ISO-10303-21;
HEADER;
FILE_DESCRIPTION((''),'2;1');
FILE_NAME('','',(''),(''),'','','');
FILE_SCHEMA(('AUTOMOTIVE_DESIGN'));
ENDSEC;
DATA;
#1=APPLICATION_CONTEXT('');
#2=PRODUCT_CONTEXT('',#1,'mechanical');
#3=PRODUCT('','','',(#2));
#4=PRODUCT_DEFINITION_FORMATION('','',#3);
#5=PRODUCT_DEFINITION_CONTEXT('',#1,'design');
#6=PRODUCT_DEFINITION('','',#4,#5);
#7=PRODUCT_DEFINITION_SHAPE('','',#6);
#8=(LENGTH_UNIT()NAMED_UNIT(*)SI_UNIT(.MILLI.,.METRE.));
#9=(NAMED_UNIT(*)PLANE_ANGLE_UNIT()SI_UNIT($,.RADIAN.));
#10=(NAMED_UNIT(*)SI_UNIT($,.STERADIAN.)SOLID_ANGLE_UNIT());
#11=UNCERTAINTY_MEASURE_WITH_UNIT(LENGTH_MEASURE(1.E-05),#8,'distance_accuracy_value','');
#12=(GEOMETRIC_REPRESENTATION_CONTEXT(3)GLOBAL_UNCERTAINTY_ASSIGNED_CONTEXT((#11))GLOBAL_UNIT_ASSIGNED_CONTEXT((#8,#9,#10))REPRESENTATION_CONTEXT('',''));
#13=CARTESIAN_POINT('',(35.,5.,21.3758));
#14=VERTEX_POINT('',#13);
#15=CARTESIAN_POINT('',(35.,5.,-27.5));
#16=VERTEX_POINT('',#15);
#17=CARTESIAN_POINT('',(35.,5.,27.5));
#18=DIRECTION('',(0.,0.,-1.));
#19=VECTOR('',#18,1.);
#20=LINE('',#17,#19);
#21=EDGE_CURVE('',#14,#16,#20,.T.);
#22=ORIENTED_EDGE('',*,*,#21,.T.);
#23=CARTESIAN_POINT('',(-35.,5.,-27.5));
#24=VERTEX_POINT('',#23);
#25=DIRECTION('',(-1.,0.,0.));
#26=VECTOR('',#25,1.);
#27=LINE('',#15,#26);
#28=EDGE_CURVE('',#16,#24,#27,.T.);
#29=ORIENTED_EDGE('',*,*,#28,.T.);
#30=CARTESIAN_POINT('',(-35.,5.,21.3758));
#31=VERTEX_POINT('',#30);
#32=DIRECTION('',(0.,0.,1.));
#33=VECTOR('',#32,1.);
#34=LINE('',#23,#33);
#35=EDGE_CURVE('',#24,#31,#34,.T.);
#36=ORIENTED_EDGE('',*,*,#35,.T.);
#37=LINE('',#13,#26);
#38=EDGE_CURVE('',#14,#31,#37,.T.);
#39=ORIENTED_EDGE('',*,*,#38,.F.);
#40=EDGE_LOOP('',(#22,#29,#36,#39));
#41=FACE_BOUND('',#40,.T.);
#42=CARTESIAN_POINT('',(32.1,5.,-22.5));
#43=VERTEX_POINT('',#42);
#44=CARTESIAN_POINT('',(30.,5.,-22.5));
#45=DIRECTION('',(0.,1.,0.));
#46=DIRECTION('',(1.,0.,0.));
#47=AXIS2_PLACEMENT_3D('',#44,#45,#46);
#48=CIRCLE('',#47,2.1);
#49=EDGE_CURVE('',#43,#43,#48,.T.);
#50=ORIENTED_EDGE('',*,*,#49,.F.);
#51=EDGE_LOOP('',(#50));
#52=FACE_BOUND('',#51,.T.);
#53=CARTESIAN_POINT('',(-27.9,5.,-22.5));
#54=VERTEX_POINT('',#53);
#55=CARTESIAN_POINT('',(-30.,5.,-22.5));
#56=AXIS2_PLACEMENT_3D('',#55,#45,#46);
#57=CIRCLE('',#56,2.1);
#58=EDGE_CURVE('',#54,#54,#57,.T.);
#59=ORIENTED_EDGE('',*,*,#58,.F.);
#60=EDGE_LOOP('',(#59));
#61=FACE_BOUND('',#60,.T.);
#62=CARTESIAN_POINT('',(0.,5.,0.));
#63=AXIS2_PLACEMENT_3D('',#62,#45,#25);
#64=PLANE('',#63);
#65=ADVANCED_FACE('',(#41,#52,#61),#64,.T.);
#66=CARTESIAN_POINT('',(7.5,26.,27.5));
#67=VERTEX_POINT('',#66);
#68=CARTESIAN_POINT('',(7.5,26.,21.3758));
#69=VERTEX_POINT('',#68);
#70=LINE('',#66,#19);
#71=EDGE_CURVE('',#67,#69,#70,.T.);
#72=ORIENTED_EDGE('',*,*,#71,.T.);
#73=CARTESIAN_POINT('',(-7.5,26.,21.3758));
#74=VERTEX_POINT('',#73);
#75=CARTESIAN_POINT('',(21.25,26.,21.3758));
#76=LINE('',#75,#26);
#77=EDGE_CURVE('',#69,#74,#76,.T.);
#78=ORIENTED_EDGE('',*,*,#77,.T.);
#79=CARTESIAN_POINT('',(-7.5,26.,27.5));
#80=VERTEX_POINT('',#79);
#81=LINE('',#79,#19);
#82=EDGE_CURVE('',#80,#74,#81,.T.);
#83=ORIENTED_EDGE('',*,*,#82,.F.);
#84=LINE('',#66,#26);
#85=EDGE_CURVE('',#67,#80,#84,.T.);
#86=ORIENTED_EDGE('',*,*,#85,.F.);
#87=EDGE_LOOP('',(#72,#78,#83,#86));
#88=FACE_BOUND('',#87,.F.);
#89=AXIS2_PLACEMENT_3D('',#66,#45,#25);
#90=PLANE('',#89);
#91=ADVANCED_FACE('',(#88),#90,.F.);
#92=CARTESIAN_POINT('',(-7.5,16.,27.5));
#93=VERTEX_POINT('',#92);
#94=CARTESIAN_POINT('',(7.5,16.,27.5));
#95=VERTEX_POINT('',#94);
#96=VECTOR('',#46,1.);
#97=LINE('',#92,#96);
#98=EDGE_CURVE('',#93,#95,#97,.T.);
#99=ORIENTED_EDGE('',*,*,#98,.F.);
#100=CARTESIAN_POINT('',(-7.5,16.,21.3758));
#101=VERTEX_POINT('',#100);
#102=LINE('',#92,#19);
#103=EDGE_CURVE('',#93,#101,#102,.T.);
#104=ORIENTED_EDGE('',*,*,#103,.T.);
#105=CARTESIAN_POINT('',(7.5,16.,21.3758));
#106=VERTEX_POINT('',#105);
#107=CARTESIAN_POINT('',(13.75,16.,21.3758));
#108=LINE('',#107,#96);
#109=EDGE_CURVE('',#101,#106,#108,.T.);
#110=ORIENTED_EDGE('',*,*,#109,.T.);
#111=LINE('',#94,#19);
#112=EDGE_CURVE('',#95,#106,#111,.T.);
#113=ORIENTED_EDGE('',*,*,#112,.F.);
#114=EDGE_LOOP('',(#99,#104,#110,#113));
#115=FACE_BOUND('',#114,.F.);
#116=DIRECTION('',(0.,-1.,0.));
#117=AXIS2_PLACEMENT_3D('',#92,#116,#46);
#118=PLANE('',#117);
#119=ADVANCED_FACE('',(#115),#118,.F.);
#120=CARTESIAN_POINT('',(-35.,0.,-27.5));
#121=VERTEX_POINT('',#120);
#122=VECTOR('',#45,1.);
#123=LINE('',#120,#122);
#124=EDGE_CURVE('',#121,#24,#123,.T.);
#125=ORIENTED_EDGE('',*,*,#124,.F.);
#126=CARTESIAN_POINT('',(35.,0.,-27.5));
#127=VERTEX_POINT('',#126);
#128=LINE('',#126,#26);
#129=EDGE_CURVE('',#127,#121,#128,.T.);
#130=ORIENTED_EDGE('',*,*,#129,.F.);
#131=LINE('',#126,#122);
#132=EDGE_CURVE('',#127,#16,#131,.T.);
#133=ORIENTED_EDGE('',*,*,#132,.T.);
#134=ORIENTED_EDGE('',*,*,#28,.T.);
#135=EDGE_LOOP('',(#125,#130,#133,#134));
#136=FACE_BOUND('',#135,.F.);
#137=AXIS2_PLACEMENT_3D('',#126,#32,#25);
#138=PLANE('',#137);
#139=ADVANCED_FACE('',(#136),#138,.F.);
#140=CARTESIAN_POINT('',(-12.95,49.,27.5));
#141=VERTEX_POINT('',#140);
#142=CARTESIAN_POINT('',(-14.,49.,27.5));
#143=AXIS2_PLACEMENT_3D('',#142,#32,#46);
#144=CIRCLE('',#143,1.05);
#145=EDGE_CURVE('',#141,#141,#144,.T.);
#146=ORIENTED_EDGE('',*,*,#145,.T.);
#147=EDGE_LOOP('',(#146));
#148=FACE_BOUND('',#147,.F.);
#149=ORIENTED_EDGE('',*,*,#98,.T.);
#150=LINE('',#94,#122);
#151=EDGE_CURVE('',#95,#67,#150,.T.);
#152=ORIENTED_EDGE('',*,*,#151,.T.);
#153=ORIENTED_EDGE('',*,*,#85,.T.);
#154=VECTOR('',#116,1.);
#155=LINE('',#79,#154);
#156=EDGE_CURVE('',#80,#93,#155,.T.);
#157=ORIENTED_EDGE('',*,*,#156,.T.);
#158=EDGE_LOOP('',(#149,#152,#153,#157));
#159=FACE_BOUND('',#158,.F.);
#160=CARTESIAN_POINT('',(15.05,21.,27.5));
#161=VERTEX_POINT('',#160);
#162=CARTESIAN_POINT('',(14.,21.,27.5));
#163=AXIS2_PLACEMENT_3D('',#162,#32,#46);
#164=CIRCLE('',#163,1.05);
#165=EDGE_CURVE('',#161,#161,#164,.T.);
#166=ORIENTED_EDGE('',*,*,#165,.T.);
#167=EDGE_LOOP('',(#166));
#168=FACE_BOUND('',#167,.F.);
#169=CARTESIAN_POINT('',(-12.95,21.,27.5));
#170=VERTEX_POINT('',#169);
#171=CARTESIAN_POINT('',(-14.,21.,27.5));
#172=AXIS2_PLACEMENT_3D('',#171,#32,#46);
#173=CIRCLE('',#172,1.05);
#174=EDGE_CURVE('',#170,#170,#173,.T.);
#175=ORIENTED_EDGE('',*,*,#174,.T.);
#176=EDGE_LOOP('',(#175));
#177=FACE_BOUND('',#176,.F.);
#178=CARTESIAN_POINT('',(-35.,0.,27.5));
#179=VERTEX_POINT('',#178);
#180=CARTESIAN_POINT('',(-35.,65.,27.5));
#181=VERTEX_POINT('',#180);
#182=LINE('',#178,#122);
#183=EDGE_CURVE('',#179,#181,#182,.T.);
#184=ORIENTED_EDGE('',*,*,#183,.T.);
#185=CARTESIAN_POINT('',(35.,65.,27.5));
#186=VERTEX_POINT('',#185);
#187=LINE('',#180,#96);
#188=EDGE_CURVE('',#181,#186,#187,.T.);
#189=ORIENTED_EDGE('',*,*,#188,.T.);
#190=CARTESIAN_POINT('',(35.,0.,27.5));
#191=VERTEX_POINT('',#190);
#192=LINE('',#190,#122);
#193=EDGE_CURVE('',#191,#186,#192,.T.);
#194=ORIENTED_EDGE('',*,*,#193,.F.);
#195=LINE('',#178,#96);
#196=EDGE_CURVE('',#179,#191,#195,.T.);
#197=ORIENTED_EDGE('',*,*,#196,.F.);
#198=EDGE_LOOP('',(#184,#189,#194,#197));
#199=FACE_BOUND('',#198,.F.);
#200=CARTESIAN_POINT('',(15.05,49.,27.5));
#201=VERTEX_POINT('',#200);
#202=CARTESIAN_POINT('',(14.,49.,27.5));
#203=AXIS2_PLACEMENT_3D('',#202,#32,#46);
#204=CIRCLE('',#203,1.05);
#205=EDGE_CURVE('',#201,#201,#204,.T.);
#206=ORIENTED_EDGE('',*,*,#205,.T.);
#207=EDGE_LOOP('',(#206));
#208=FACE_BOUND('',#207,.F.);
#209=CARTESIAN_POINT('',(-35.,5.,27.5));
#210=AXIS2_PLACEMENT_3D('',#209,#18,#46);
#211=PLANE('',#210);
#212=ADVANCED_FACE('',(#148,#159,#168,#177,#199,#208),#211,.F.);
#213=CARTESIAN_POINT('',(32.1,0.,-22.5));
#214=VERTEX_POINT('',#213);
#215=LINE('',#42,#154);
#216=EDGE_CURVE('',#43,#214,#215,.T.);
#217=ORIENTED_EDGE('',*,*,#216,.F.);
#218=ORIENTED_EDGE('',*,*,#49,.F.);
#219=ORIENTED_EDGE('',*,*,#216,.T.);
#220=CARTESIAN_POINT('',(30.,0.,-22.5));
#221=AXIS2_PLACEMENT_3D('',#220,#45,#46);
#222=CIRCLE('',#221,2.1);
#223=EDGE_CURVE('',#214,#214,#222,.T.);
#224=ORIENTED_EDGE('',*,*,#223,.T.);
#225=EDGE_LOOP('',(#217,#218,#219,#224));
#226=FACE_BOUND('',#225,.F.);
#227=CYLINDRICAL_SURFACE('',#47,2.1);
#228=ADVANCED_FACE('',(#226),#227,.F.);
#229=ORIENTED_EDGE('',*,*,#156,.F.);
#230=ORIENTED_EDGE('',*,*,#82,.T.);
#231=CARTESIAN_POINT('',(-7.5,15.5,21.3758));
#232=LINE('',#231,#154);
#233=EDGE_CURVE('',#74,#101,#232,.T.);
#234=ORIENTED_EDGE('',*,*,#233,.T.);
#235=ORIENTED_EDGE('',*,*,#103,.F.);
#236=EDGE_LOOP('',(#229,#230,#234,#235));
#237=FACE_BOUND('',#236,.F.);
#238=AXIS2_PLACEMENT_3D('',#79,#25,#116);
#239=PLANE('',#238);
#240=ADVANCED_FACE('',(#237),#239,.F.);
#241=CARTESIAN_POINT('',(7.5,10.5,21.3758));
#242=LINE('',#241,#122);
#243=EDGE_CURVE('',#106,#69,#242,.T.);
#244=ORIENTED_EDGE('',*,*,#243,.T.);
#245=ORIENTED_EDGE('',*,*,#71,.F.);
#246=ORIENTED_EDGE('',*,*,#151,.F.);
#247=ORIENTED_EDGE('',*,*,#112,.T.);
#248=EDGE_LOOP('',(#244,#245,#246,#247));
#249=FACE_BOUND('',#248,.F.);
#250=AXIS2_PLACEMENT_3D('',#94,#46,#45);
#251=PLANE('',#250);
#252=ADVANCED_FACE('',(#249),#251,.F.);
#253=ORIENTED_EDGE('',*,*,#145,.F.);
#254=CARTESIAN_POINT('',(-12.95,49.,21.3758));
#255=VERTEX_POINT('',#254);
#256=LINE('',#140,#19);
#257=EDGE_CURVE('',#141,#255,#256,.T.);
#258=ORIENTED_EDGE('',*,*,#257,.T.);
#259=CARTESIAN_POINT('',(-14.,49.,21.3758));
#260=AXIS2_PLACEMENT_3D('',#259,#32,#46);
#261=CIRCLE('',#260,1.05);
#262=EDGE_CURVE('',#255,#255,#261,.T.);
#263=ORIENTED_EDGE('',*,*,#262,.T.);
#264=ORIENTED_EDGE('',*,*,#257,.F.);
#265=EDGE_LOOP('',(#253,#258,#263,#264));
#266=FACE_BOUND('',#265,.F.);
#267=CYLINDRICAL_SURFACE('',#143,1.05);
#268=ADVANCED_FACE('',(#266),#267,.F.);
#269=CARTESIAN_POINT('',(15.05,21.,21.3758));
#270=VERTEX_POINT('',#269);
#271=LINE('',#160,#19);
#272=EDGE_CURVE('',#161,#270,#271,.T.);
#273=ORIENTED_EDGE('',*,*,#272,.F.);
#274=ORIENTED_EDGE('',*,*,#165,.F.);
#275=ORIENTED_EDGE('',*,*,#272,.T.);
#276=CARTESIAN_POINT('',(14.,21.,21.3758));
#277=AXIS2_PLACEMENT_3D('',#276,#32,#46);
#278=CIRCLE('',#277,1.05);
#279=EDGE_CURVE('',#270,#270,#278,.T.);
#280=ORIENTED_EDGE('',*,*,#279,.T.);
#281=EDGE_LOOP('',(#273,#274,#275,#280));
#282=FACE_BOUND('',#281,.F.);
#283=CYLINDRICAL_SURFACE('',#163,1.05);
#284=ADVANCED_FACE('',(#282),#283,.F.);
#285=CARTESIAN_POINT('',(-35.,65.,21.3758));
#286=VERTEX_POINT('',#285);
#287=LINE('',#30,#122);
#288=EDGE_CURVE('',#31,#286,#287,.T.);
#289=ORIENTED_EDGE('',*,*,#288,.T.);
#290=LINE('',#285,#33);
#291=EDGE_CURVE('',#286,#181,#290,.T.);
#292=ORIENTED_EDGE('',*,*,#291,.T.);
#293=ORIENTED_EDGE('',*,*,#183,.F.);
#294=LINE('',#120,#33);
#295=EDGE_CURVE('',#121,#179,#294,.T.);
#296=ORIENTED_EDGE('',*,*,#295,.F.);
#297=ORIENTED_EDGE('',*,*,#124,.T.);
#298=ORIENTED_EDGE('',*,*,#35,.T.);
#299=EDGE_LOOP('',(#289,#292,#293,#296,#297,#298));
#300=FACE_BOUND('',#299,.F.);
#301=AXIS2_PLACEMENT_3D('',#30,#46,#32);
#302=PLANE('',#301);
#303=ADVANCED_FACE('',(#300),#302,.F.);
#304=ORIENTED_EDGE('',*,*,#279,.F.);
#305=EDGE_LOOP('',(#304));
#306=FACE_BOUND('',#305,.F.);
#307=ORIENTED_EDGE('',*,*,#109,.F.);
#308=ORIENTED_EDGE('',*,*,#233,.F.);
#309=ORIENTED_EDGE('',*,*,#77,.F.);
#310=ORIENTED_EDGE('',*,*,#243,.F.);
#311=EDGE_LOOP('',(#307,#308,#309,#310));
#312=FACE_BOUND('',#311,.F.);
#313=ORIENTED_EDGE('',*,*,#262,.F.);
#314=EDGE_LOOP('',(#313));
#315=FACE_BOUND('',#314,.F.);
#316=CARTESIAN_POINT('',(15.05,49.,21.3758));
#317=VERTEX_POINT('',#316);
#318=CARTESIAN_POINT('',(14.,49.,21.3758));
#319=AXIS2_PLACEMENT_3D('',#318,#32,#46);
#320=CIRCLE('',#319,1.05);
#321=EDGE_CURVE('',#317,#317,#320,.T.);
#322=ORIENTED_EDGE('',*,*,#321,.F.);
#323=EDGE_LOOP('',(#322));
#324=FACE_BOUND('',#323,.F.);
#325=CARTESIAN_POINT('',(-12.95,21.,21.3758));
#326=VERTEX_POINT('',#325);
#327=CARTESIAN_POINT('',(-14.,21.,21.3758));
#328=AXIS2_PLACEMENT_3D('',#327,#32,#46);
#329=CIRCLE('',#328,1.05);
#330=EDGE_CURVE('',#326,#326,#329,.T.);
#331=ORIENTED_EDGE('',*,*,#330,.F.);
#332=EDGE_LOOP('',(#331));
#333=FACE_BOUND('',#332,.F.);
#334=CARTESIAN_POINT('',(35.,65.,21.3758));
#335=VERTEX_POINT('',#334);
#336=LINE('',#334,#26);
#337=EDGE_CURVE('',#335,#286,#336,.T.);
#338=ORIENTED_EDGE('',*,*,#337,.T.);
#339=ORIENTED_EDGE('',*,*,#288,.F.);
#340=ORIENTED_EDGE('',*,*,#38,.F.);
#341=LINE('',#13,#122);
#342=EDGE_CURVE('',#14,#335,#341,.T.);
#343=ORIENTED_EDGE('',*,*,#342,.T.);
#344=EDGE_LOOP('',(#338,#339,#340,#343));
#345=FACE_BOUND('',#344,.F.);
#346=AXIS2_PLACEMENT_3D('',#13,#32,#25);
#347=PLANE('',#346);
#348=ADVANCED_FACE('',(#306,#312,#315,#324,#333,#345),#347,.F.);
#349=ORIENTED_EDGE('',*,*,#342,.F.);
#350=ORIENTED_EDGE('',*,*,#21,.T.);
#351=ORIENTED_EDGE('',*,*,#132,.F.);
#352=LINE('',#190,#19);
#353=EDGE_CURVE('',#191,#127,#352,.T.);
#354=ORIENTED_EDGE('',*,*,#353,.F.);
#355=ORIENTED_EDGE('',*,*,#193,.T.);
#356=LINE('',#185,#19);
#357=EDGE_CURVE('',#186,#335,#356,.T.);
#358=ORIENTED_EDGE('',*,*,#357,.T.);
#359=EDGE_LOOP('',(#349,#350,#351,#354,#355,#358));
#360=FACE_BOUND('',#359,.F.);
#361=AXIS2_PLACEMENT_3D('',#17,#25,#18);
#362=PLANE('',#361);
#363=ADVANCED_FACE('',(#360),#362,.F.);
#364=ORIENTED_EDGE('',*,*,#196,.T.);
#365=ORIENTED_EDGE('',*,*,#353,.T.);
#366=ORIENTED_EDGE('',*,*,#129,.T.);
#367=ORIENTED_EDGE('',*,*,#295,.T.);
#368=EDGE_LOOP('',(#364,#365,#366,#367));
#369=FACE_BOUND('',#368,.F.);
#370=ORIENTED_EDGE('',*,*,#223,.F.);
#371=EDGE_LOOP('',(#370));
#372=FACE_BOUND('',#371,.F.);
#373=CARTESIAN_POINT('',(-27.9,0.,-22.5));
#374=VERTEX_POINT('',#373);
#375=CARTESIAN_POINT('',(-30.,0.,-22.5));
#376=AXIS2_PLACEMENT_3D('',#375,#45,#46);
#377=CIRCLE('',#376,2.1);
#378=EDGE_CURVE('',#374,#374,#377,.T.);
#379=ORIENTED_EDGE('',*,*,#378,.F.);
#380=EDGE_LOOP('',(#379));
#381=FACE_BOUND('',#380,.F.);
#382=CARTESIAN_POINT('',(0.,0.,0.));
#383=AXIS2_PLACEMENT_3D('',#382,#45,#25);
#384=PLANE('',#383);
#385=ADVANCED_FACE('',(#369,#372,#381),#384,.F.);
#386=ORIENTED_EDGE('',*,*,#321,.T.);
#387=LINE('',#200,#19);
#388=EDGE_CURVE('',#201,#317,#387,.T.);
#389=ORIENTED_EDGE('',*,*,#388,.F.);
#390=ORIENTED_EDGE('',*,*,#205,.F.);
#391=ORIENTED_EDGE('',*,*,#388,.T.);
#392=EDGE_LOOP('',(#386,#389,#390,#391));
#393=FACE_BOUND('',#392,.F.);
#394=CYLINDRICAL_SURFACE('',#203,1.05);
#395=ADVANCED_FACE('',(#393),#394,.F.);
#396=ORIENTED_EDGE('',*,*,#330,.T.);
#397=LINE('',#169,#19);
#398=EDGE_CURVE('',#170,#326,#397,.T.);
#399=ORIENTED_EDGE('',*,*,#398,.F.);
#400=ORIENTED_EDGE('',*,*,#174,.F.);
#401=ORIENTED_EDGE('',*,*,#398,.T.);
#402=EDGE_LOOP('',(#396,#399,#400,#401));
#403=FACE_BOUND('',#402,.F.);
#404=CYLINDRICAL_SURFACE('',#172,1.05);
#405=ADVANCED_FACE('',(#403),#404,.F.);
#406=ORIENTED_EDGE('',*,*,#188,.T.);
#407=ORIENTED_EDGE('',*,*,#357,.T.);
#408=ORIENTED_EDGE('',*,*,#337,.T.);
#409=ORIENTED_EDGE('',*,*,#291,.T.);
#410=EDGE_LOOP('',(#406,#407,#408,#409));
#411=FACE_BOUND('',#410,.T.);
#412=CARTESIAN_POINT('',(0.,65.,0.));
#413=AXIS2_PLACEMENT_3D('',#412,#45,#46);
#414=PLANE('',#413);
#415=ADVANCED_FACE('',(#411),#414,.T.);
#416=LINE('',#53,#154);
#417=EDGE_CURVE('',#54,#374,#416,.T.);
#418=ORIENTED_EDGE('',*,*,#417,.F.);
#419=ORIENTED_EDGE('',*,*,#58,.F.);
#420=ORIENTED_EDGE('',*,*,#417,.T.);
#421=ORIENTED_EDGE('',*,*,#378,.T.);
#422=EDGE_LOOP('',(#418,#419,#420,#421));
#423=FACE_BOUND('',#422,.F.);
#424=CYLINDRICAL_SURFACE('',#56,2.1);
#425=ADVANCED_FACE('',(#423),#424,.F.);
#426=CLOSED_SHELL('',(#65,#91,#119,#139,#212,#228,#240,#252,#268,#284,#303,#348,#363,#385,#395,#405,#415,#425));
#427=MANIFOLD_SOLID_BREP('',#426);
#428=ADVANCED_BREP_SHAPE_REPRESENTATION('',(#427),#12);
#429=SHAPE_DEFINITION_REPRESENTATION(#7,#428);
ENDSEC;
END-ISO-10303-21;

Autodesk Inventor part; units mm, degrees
ref_plane "YZ Plane" through (0, 0, 0) normal (1, 0, 0) x (0, 1, 0)
ref_plane "XZ Plane" through (0, 0, 0) normal (0, 1, 0) x (-1, 0, 0)
ref_plane "XY Plane" through (0, 0, 0) normal (0, 0, 1) x (1, 0, 0)
sketch "Sketch1" plane through (0, 0, 0) normal (0, 1, 0) x (-1, 0, 0)
  line L0 (35, 27.5) -> (-35, 27.5)
  line L1 (-35, 27.5) -> (-35, -27.5)
  line L2 (-35, -27.5) -> (35, -27.5)
  line L3 (35, -27.5) -> (35, 27.5)
  line L4 (35, 27.5) -> (-35, -27.5) construction
  line L5 (-35, 27.5) -> (35, -27.5) construction
  point P0 (0, 0)
  dimension "d0" = 70
  dimension "d1" = 55
extrude "Extrusion1" add sketch "Sketch1" along normal blind 5
sketch "Sketch2" plane through (0, 5, 0) normal (0, 1, 0) x (1, 0, 0)
  circle A0 centre (-30, 22.5) radius 2.1
  circle A1 centre (30, 22.5) radius 2.1
  line L0 (35, 27.5) -> (-35, 27.5) projected
  line L1 (-35, 27.5) -> (-35, -27.5) projected
  line L2 (35, -27.5) -> (35, 27.5) projected
  point P0 (0, 0)
  dimension "d4" = 4.2
  dimension "d5" = 4.2
  dimension "d6" = 5
  dimension "d7" = 5
  dimension "d8" = 5
  dimension "d9" = 5
extrude "Extrusion2" cut sketch "Sketch2" against normal blind 5
sketch "Sketch3" plane through (0, 5, 0) normal (0, 1, 0) x (1, 0, 0)
  line L0 (-35, -27.5) -> (35, -27.5)
  line L1 (35, -27.5) -> (35, -21.3758)
  line L2 (35, -21.3758) -> (-35, -21.3758)
  line L3 (-35, -21.3758) -> (-35, -27.5)
  line L4 (-35, -27.5) -> (35, -21.3758) construction
  line L5 (35, -27.5) -> (-35, -21.3758) construction
  line L6 (-35, -27.5) -> (35, -27.5) projected
  line L7 (35, -27.5) -> (35, 27.5) projected
  line L8 (-35, 27.5) -> (-35, -27.5) projected
  point P0 (0, 0)
  point P1 (0, -24.4379)
  dimension "d12" = 5
extrude "Extrusion3" add sketch "Sketch3" along normal blind 60
sketch "Sketch4" plane through (-35, 0, 27.5) normal (0, 0, 1) x (1, 0, 0)
  circle A0 centre (21, 49) radius 1.05
  circle A1 centre (49, 49) radius 1.05
  circle A2 centre (21, 21) radius 1.05
  circle A3 centre (49, 21) radius 1.05
  line L0 (0, 0) -> (70, 0) projected
  line L1 (70, 0) -> (70, 65) projected
  line L2 (0, 0) -> (0, 65) projected
  point P0 (35, 0)
  dimension "d15" = 2.1
  dimension "d16" = 2.1
  dimension "d17" = 2.1
  dimension "d18" = 2.1
  dimension "d19" = 21
  dimension "d20" = 21
  dimension "d21" = 21
  dimension "d22" = 28
extrude "Extrusion4" cut sketch "Sketch4" against normal blind 50
sketch "Sketch5" plane through (-35, 0, 27.5) normal (0, 0, 1) x (1, 0, 0)
  line L0 (27.5, 16) -> (42.5, 16)
  line L1 (42.5, 16) -> (42.5, 26)
  line L2 (42.5, 26) -> (27.5, 26)
  line L3 (27.5, 26) -> (27.5, 16)
  line L4 (27.5, 16) -> (42.5, 26) construction
  line L5 (42.5, 16) -> (27.5, 26) construction
  line L6 (0, 0) -> (70, 0) projected
  point P0 (35, 0)
  point P1 (35, 21)
  point P2 (35, 0)
  dimension "d25" = 15
  dimension "d26" = 10
  dimension "d27" = 21
extrude "Extrusion5" cut sketch "Sketch5" against normal blind 50
properties part number "camera_bottom"
